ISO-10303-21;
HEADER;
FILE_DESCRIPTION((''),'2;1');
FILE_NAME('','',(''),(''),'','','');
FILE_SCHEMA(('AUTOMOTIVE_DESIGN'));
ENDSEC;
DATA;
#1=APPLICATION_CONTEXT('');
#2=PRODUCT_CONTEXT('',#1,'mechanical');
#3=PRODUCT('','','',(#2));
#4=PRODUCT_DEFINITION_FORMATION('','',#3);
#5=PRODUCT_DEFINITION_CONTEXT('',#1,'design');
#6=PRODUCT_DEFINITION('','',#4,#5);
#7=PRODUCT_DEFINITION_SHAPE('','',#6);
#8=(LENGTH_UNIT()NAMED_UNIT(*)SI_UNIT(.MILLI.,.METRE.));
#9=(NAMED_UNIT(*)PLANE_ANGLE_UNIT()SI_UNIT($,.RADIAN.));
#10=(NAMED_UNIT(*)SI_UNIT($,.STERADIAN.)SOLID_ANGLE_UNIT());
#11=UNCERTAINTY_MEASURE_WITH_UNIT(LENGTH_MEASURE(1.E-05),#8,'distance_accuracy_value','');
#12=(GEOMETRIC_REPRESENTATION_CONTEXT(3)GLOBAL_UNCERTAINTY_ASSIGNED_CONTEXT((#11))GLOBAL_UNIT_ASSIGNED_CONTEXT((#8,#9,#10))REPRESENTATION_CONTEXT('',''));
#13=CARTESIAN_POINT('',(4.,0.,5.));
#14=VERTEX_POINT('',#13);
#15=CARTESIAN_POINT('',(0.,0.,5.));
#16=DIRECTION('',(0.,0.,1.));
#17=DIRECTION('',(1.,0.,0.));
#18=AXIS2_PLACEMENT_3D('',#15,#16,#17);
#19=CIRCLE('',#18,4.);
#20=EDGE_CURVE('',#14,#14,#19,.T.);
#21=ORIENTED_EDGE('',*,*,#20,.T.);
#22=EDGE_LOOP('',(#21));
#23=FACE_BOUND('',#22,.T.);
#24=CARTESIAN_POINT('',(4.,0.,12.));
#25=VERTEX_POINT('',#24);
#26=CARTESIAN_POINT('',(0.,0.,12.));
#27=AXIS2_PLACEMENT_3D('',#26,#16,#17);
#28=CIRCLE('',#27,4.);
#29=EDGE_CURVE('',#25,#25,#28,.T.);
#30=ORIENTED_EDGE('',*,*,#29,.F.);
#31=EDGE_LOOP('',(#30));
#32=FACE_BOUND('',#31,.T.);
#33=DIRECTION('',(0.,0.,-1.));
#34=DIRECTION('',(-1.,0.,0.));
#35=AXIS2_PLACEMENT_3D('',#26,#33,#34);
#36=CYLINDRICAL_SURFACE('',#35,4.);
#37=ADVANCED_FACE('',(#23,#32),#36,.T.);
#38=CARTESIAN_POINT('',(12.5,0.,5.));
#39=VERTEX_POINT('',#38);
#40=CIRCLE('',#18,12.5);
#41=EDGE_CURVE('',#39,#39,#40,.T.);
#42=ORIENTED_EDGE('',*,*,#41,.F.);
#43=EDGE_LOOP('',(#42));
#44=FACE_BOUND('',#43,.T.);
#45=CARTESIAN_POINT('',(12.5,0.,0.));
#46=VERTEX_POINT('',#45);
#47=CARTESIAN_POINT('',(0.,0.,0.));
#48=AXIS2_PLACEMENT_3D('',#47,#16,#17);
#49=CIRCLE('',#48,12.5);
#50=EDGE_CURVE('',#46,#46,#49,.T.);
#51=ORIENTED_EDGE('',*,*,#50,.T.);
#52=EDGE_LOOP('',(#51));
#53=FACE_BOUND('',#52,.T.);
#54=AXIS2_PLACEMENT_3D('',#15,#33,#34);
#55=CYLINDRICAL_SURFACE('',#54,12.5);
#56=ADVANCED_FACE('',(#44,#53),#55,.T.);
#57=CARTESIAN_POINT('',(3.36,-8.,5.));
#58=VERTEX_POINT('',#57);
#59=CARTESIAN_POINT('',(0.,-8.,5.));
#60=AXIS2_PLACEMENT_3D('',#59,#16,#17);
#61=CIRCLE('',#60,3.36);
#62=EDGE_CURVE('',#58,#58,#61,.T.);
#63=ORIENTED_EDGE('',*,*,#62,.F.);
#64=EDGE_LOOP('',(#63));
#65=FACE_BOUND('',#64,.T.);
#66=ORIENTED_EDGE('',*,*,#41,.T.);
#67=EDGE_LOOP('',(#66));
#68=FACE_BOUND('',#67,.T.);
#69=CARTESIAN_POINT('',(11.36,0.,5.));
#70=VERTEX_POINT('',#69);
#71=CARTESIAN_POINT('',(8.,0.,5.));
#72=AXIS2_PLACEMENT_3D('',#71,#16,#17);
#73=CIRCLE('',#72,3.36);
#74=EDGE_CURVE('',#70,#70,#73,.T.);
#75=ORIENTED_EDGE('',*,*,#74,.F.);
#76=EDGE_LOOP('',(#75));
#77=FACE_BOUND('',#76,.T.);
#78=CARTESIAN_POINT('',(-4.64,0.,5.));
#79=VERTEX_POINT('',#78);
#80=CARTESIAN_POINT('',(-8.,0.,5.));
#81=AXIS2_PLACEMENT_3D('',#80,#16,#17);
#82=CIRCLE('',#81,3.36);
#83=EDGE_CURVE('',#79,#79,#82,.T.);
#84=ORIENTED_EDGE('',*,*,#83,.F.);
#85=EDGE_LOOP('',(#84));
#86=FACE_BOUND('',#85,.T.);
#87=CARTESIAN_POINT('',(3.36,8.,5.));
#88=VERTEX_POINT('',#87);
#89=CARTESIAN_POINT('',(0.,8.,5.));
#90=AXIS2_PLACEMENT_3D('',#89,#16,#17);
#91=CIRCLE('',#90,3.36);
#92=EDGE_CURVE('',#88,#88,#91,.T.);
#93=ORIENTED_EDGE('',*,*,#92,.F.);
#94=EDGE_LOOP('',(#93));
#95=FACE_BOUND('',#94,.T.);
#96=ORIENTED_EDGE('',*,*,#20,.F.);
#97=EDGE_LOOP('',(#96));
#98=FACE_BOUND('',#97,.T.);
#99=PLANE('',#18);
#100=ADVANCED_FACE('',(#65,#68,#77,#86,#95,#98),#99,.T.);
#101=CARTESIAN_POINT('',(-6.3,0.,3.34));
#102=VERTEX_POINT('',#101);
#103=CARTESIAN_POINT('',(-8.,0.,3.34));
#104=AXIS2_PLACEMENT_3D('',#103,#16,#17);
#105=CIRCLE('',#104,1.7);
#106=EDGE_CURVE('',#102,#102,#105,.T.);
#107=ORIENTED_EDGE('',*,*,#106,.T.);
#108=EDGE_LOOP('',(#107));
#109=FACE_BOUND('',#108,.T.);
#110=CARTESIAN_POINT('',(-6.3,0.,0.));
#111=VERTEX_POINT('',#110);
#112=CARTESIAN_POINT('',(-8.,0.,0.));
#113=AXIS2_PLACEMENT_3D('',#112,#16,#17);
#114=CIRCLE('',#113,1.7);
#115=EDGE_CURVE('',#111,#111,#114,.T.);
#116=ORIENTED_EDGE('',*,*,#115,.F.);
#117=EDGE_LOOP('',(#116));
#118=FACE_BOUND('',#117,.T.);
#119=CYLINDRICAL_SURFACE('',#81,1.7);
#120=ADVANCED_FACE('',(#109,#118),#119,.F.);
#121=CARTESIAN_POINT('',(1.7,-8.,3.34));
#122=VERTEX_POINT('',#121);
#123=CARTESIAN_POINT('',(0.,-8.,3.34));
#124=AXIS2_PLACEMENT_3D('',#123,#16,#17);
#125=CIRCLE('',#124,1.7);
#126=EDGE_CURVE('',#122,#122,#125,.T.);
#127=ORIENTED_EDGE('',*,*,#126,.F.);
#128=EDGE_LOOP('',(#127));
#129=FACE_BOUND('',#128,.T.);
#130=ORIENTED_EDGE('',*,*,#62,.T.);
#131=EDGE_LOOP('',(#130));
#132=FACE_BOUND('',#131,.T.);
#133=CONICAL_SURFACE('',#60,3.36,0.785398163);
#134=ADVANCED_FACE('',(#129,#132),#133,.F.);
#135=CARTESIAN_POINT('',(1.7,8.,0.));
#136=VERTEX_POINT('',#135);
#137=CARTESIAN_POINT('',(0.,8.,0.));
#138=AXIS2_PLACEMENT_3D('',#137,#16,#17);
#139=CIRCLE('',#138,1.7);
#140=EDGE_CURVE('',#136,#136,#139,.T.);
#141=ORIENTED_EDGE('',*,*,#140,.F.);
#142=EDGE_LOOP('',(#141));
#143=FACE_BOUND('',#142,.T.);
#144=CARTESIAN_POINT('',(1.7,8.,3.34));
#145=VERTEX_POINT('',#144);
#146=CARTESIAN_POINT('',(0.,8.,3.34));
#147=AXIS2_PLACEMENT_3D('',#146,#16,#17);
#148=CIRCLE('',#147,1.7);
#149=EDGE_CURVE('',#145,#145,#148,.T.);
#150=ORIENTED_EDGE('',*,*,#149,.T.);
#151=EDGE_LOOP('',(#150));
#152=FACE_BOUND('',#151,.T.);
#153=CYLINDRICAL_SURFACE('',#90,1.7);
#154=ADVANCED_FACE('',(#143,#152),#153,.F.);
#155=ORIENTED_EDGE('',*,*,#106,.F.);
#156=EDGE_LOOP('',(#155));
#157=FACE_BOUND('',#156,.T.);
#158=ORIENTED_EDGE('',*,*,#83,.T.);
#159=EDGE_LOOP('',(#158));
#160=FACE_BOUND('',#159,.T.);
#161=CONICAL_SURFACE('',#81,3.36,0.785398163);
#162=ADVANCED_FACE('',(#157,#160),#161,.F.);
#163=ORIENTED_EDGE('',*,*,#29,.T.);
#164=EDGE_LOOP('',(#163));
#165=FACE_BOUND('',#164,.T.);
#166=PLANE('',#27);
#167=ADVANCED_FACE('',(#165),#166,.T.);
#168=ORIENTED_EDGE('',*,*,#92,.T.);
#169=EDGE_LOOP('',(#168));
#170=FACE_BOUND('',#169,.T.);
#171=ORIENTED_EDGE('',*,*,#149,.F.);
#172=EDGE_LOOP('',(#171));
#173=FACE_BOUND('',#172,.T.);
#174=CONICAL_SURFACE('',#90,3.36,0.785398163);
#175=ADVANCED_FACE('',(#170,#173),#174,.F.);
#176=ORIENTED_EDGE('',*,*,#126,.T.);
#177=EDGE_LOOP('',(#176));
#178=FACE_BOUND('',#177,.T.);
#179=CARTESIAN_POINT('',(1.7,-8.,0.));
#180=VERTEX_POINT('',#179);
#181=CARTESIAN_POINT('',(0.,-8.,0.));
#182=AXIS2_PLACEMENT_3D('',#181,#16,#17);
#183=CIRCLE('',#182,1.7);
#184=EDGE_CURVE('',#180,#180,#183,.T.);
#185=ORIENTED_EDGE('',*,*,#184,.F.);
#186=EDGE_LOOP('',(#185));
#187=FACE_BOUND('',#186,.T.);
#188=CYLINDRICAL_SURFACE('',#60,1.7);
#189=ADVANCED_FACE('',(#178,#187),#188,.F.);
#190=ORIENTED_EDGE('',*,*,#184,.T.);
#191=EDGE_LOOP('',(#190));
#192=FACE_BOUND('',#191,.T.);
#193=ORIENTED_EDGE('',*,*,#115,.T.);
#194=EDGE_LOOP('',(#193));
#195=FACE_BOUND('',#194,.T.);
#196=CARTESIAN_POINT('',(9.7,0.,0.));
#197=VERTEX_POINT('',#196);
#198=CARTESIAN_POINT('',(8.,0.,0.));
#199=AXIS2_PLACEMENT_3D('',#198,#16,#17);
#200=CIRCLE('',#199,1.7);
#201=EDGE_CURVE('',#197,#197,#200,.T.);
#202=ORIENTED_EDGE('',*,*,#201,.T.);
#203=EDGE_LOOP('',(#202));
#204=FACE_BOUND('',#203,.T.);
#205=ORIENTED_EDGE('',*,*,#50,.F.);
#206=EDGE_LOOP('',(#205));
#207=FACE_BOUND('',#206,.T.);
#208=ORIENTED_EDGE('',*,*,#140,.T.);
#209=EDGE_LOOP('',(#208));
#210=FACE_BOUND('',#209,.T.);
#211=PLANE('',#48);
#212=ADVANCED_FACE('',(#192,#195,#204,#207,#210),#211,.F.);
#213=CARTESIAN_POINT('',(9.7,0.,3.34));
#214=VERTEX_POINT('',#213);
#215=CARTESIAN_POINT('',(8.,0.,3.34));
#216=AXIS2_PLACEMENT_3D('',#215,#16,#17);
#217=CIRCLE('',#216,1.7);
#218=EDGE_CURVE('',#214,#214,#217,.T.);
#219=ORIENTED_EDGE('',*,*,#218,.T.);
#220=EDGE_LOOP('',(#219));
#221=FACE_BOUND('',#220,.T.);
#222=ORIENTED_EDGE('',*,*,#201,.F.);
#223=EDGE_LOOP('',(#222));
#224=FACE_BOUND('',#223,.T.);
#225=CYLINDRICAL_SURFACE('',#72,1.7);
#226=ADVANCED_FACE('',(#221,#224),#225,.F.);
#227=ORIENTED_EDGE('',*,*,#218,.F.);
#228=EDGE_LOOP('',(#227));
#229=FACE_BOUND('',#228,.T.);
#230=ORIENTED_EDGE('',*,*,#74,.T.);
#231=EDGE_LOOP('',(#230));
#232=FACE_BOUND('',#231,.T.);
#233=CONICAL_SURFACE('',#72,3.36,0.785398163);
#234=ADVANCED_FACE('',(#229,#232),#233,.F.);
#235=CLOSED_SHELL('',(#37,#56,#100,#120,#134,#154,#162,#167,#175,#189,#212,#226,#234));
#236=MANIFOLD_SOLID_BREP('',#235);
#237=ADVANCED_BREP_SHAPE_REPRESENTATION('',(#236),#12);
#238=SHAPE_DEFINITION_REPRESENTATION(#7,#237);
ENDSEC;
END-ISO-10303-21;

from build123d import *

# Parameters (mm, degrees)
ESBO_O2_R                                           = 12.5
RESSALTO_EXTRUS_O1_DEPTH                            = 5
ESBO_O3_R                                           = 4
RESSALTO_EXTRUS_O2_DEPTH                            = 7
ESCAREADO_PARA_PARAFUSO_ALLEN_SEXTAVADO_D           = 3.4
ESCAREADO_PARA_PARAFUSO_ALLEN_SEXTAVADO_CSINK_D     = 6.72
ESCAREADO_PARA_PARAFUSO_ALLEN_SEXTAVADO_CSINK_ANGLE = 90


with BuildPart() as part:
    # Esboço2 → Ressalto-extrusão1 (new body)
    with BuildSketch(Plane.XY):
        Circle(ESBO_O2_R)
    extrude(amount=RESSALTO_EXTRUS_O1_DEPTH)

    # Esboço3 → Ressalto-extrusão2 (add)
    with BuildSketch(Plane.XY.offset(5)):
        Circle(ESBO_O3_R)
    extrude(amount=RESSALTO_EXTRUS_O2_DEPTH)

    # Escareado para parafuso Allen sextavado escareado de M31 (through all)
    with Locations(Plane.XY.offset(5)):
        with Locations((0, 8), (8, 0), (0, -8), (-8, 0)):
            CounterSinkHole(ESCAREADO_PARA_PARAFUSO_ALLEN_SEXTAVADO_D / 2, ESCAREADO_PARA_PARAFUSO_ALLEN_SEXTAVADO_CSINK_D / 2, counter_sink_angle=ESCAREADO_PARA_PARAFUSO_ALLEN_SEXTAVADO_CSINK_ANGLE)


solid = part.part
